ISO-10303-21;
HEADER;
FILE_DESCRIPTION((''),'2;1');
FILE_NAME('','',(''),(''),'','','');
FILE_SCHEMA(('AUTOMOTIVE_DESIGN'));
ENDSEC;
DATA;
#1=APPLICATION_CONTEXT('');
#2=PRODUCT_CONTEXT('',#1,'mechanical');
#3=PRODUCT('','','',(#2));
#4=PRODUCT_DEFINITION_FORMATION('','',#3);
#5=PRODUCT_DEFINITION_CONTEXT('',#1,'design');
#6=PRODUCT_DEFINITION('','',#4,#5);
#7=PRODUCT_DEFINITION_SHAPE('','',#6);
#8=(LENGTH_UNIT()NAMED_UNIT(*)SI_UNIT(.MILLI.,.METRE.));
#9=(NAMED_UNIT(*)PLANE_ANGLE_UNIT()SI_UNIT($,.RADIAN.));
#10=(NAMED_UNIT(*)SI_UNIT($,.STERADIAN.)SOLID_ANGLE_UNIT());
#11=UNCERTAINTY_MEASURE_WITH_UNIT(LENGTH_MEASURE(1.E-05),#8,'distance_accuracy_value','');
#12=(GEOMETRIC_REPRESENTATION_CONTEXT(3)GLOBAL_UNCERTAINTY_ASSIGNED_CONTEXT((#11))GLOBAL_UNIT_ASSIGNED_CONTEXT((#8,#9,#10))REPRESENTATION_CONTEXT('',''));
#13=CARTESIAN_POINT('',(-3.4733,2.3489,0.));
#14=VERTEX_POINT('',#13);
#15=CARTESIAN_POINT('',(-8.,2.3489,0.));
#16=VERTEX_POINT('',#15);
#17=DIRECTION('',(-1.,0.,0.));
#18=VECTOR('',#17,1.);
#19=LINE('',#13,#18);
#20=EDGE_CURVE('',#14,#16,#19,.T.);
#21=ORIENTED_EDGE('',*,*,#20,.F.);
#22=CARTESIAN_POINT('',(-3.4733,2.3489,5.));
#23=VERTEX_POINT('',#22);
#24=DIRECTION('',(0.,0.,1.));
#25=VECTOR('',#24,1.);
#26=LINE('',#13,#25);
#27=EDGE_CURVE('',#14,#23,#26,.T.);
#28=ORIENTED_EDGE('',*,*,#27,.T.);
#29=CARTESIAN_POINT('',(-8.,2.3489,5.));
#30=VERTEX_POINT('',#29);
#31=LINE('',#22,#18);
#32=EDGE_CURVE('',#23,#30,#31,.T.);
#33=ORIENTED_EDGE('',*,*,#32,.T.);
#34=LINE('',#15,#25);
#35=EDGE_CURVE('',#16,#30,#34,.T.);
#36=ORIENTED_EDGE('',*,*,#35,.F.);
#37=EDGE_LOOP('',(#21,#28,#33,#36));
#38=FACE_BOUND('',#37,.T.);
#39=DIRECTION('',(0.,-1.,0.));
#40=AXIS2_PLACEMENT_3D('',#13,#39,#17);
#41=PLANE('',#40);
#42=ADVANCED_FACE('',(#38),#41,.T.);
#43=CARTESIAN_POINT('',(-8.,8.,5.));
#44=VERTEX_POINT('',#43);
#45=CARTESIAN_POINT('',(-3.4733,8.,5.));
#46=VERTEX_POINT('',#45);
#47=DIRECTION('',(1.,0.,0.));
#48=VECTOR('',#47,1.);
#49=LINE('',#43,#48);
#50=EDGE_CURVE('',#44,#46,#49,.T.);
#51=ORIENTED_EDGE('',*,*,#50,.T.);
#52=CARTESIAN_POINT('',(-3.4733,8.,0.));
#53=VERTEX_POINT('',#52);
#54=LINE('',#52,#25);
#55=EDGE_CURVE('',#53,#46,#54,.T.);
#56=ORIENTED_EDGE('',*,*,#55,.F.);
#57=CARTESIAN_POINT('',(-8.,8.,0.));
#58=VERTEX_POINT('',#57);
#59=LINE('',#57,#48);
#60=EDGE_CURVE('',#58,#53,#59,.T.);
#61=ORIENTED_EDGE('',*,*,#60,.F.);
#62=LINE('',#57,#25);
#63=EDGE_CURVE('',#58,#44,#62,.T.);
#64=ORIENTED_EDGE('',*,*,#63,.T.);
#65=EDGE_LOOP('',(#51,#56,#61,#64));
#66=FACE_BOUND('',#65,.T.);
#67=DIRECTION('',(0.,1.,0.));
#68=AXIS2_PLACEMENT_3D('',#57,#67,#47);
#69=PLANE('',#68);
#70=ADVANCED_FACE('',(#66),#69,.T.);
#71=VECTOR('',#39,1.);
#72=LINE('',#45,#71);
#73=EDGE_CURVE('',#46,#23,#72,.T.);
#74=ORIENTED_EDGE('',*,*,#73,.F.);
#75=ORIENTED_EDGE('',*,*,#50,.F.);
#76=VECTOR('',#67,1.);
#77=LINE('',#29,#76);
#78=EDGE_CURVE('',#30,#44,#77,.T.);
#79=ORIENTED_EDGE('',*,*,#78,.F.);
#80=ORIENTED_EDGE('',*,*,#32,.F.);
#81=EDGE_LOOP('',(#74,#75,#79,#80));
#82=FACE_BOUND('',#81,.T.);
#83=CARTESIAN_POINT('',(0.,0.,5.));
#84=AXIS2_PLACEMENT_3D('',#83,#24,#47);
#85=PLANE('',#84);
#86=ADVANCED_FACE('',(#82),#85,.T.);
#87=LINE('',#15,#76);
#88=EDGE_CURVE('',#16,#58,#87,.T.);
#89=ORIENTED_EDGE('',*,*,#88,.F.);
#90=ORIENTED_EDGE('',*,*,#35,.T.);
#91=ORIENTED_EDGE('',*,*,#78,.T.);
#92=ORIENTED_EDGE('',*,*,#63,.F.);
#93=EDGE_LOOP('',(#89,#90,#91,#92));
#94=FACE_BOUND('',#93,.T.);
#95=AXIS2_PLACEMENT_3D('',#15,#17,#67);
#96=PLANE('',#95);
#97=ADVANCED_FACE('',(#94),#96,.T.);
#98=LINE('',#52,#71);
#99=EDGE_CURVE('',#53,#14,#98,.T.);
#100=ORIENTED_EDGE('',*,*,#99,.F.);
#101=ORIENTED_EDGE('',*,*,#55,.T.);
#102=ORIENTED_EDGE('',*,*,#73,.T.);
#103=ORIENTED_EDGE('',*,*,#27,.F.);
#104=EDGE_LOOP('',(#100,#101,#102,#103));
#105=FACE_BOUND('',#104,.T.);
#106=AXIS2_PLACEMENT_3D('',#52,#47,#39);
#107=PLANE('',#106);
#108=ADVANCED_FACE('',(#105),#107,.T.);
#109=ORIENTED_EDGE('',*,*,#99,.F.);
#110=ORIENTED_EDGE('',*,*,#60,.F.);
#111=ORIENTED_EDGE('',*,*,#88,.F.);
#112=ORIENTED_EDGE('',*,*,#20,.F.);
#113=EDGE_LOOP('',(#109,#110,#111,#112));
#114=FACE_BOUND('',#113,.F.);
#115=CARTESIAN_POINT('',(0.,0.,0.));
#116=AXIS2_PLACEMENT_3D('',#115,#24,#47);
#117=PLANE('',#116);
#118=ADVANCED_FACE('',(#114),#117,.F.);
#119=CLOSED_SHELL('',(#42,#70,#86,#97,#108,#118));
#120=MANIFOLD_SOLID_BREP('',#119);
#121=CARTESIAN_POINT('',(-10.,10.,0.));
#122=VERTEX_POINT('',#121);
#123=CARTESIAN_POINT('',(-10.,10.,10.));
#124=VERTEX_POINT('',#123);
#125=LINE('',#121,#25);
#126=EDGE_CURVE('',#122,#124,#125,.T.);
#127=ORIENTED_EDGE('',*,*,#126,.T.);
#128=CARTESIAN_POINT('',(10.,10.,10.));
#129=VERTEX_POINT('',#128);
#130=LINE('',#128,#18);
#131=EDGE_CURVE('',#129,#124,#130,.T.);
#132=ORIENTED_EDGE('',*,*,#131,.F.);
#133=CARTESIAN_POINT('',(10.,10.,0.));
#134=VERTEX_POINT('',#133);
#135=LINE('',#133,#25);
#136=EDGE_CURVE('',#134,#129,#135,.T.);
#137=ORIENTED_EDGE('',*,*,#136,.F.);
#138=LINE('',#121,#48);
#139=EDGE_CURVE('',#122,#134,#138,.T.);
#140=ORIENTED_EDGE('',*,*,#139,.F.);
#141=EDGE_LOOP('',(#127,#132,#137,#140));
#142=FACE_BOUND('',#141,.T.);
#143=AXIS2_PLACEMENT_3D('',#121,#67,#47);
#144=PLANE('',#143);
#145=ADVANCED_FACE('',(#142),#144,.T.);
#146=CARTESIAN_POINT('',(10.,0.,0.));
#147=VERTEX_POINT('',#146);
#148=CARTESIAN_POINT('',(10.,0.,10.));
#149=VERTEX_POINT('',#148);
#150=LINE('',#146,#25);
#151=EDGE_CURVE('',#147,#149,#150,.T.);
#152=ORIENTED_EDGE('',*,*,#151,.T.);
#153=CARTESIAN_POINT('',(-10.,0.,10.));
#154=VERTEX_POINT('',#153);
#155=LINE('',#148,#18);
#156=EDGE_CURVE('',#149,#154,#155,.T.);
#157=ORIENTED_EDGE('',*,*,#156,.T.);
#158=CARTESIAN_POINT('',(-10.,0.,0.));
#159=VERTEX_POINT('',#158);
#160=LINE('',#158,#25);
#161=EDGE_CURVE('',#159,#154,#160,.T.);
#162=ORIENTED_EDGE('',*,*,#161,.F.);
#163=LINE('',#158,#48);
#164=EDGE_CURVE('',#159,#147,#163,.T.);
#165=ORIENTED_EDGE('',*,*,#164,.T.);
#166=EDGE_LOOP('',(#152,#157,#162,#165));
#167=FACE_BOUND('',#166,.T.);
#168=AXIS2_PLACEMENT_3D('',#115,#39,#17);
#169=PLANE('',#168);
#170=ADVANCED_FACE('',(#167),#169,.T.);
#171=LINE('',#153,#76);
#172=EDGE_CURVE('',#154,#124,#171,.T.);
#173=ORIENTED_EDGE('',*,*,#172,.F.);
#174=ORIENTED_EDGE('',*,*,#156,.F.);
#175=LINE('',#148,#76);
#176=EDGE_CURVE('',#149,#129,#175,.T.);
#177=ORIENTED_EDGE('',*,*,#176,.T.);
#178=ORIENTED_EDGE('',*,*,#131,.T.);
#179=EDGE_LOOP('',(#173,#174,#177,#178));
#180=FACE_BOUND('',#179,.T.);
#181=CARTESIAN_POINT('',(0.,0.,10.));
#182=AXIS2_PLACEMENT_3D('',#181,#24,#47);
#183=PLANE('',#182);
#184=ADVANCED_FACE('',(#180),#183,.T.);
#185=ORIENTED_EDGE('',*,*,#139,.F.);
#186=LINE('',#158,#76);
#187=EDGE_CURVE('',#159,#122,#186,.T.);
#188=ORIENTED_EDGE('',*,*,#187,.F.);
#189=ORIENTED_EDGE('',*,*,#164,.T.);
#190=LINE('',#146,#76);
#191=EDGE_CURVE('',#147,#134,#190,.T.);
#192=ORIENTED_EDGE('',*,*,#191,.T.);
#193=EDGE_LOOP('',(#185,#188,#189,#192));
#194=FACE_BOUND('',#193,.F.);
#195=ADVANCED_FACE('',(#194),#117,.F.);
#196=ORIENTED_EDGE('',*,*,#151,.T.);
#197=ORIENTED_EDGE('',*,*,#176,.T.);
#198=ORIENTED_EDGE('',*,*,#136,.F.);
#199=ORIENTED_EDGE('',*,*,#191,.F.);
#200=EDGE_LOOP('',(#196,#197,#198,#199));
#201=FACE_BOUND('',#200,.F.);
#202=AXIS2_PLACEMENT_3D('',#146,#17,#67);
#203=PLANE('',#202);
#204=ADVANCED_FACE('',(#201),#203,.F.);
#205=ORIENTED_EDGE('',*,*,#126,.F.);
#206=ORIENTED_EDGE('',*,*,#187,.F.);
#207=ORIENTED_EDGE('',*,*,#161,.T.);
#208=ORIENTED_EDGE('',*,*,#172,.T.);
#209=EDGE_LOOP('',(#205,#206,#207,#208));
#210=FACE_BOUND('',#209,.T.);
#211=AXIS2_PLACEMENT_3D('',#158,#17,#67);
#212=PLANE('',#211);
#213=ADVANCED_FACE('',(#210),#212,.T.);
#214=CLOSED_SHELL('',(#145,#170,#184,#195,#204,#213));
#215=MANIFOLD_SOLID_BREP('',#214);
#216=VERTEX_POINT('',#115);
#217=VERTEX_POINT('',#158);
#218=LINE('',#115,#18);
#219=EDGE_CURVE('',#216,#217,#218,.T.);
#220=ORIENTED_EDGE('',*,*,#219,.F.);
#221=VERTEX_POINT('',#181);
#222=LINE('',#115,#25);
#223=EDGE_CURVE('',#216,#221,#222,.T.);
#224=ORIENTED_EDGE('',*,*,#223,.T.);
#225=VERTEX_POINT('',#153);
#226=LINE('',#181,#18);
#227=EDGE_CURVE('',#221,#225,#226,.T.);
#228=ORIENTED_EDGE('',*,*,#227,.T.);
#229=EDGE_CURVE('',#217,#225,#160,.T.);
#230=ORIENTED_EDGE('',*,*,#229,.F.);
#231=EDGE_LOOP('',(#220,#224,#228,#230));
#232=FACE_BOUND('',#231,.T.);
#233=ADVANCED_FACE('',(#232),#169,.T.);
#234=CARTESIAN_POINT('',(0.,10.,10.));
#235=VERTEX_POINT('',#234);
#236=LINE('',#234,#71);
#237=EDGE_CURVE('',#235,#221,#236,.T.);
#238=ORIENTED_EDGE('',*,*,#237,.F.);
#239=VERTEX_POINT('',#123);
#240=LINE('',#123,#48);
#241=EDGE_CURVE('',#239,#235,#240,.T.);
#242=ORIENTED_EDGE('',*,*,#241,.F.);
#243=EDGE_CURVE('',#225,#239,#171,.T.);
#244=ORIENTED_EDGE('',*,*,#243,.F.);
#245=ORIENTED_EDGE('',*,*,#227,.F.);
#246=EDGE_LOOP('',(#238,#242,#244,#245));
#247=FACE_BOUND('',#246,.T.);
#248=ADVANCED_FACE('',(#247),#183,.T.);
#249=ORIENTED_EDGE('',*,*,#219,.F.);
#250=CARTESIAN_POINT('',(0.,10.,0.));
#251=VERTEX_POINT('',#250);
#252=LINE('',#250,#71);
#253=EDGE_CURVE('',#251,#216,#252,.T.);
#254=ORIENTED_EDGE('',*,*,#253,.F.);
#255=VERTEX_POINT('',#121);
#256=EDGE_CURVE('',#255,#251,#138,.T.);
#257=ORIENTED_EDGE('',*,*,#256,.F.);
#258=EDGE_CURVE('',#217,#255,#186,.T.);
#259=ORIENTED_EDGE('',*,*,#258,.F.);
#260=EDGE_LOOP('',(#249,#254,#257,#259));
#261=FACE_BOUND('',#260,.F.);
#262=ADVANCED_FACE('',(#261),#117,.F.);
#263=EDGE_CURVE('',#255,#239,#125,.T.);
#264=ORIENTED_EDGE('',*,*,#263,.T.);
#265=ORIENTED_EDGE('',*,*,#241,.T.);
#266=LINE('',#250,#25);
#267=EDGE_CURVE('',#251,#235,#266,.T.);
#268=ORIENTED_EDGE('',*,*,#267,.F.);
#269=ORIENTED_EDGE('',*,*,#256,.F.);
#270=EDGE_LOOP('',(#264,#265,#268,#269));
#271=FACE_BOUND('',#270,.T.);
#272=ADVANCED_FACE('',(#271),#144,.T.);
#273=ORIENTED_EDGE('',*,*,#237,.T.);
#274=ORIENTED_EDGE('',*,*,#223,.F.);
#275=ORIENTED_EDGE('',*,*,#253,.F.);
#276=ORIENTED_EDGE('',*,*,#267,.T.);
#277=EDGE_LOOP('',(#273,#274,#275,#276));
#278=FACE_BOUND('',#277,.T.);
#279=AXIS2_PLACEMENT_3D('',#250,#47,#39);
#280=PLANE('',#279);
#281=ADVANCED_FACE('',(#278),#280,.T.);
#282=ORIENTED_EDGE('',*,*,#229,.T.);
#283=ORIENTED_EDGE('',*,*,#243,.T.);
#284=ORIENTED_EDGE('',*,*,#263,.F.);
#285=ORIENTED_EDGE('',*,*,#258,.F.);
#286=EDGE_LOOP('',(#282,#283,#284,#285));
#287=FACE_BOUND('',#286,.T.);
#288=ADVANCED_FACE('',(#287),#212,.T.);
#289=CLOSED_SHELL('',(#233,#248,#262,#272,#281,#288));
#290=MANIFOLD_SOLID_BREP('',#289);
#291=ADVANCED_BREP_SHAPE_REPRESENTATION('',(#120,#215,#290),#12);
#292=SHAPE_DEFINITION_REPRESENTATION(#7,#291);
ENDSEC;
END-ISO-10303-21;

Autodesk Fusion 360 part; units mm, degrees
sketch "Sketch1" plane through (0, 0, 0) normal (0, 0, 1) x (1, 0, 0)
  line L0 (0, 0) -> (-10, 0)
  line L1 (-10, 0) -> (-10, 10)
  line L2 (-10, 10) -> (0, 10)
  line L3 (0, 10) -> (0, 0)
  line L4 (-8, 8) -> (-3.4733, 8)
  line L5 (-3.4733, 8) -> (-3.4733, 2.3489)
  line L6 (-3.4733, 2.3489) -> (-8, 2.3489)
  line L7 (-8, 2.3489) -> (-8, 8)
  line L8 (-10, 0) -> (10, 0)
  line L9 (10, 0) -> (10, 10)
  line L10 (10, 10) -> (-10, 10)
  line L11 (-10, 10) -> (-10, 0)
extrude "Extrude1" add sketch "Sketch1" along normal blind 10 contours L0 L1 L2 L3 L8 L10 L11 | L3 L8 L9 L10 | L4 L5 L6 L7 makes body 1
extrude "Extrude1'" add sketch "Sketch1" along normal blind 10 separate body contours L0 L1 L2 L3 L8 L10 L11 | L4 L5 L6 L7 makes body 2 in component "Tool"
extrude "Extrude2" add sketch "Sketch1" along normal blind 5 separate body contours L4 L5 L6 L7 makes body 3 in component "Tool"
component "Tool" placed x (1, 0, 0) y (0, 1, 0) z (0, 0, 1) at (0, 0, 0)
